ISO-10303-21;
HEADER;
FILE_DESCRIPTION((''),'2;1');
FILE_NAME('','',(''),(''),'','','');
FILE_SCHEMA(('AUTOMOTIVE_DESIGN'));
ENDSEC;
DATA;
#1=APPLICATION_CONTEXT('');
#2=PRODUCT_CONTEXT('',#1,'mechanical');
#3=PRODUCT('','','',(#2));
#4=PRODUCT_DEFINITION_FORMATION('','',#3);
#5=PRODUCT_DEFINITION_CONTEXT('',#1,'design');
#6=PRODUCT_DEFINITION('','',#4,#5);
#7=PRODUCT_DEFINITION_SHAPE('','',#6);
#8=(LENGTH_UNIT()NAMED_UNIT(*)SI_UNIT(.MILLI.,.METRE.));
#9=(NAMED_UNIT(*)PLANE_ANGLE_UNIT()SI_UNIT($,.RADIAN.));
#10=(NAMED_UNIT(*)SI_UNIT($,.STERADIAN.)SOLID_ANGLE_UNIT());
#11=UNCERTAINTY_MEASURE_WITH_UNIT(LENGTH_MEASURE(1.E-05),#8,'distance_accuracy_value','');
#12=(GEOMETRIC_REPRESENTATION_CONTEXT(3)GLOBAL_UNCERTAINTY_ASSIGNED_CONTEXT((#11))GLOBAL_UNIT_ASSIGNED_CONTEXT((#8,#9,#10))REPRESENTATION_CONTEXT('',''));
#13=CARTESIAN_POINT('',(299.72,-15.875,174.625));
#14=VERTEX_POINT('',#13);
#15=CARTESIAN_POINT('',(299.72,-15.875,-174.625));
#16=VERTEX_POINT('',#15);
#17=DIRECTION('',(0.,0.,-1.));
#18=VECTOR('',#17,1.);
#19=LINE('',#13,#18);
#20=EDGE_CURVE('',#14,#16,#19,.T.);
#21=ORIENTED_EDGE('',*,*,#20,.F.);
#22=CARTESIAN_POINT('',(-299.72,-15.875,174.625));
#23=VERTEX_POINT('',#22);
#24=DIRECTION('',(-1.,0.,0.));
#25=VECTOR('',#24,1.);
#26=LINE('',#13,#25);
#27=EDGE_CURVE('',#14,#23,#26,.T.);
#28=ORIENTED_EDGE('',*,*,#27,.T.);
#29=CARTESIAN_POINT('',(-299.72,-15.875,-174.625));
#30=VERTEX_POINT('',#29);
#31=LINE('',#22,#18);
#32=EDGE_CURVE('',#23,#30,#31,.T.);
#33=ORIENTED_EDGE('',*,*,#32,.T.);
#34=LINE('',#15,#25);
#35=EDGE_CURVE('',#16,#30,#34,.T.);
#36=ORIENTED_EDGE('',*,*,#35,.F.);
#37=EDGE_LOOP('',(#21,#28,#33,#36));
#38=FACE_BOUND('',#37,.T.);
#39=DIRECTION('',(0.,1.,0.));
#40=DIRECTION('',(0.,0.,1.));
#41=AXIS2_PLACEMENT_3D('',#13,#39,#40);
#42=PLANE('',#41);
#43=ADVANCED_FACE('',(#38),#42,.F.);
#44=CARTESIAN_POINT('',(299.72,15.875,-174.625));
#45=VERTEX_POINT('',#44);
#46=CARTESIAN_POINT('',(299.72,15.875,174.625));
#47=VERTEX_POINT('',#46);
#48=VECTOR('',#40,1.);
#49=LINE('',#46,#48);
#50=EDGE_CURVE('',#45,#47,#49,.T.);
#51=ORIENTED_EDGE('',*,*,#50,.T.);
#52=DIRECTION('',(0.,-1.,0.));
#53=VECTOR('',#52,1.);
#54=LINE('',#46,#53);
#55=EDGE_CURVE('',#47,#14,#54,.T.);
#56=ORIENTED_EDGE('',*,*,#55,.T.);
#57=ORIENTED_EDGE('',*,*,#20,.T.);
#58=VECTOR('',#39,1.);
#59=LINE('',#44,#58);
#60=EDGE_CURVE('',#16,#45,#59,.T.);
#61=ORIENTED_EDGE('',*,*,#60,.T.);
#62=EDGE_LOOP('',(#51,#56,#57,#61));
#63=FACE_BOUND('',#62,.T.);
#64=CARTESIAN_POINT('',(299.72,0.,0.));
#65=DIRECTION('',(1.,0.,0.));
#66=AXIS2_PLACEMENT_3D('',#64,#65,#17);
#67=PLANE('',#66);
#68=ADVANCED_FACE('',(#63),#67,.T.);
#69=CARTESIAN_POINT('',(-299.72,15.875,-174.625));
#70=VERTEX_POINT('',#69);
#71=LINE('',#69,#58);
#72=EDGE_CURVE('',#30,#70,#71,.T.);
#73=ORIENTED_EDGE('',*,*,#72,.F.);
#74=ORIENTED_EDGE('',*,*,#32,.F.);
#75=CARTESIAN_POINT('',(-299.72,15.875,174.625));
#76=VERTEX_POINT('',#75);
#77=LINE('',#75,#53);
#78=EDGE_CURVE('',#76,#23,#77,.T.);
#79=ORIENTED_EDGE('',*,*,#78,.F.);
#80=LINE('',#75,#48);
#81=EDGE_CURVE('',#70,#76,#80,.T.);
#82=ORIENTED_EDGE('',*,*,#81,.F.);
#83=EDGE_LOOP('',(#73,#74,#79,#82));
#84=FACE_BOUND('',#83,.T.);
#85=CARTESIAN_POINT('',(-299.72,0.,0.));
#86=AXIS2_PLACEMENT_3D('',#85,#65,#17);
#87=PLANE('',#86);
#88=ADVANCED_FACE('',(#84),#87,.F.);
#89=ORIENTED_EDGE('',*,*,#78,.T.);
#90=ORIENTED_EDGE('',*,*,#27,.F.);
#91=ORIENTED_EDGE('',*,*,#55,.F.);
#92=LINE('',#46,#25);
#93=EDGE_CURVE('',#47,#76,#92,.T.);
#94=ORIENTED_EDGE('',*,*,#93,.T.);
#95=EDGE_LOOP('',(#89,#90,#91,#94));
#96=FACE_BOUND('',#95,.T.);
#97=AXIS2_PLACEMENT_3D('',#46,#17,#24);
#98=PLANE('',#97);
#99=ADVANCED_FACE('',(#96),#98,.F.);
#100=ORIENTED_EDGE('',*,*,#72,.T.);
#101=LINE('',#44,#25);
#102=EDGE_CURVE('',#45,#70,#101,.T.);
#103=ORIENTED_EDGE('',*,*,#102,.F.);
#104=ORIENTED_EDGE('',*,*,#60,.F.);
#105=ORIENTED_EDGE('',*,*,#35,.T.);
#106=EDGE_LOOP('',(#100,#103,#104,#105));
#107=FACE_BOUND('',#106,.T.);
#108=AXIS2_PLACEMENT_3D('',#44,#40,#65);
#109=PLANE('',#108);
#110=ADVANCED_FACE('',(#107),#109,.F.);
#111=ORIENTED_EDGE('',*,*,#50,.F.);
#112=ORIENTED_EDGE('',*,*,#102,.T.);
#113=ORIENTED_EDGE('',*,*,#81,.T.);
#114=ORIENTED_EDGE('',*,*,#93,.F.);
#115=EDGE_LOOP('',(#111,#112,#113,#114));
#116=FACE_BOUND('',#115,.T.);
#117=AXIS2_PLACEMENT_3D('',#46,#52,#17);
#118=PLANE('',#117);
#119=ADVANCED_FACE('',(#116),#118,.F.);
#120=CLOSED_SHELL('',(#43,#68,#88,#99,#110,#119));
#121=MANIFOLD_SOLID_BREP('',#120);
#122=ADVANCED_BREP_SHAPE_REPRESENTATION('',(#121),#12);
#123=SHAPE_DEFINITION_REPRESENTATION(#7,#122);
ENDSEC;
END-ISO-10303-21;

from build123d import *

# Parameters (mm, degrees)
SKETCH1_W           = 349.25
SKETCH1_H           = 31.75
BOSS_EXTRUDE1_DEPTH = 299.72


with BuildPart() as part:
    # Sketch1 → Boss-Extrude1 (new, symmetric)
    with BuildSketch(Plane(origin=(0, 0, 0), x_dir=(0, 0, -1), z_dir=(1, 0, 0))):
        Rectangle(SKETCH1_W, SKETCH1_H)
    extrude(amount=BOSS_EXTRUDE1_DEPTH, both=True)


solid = part.part
